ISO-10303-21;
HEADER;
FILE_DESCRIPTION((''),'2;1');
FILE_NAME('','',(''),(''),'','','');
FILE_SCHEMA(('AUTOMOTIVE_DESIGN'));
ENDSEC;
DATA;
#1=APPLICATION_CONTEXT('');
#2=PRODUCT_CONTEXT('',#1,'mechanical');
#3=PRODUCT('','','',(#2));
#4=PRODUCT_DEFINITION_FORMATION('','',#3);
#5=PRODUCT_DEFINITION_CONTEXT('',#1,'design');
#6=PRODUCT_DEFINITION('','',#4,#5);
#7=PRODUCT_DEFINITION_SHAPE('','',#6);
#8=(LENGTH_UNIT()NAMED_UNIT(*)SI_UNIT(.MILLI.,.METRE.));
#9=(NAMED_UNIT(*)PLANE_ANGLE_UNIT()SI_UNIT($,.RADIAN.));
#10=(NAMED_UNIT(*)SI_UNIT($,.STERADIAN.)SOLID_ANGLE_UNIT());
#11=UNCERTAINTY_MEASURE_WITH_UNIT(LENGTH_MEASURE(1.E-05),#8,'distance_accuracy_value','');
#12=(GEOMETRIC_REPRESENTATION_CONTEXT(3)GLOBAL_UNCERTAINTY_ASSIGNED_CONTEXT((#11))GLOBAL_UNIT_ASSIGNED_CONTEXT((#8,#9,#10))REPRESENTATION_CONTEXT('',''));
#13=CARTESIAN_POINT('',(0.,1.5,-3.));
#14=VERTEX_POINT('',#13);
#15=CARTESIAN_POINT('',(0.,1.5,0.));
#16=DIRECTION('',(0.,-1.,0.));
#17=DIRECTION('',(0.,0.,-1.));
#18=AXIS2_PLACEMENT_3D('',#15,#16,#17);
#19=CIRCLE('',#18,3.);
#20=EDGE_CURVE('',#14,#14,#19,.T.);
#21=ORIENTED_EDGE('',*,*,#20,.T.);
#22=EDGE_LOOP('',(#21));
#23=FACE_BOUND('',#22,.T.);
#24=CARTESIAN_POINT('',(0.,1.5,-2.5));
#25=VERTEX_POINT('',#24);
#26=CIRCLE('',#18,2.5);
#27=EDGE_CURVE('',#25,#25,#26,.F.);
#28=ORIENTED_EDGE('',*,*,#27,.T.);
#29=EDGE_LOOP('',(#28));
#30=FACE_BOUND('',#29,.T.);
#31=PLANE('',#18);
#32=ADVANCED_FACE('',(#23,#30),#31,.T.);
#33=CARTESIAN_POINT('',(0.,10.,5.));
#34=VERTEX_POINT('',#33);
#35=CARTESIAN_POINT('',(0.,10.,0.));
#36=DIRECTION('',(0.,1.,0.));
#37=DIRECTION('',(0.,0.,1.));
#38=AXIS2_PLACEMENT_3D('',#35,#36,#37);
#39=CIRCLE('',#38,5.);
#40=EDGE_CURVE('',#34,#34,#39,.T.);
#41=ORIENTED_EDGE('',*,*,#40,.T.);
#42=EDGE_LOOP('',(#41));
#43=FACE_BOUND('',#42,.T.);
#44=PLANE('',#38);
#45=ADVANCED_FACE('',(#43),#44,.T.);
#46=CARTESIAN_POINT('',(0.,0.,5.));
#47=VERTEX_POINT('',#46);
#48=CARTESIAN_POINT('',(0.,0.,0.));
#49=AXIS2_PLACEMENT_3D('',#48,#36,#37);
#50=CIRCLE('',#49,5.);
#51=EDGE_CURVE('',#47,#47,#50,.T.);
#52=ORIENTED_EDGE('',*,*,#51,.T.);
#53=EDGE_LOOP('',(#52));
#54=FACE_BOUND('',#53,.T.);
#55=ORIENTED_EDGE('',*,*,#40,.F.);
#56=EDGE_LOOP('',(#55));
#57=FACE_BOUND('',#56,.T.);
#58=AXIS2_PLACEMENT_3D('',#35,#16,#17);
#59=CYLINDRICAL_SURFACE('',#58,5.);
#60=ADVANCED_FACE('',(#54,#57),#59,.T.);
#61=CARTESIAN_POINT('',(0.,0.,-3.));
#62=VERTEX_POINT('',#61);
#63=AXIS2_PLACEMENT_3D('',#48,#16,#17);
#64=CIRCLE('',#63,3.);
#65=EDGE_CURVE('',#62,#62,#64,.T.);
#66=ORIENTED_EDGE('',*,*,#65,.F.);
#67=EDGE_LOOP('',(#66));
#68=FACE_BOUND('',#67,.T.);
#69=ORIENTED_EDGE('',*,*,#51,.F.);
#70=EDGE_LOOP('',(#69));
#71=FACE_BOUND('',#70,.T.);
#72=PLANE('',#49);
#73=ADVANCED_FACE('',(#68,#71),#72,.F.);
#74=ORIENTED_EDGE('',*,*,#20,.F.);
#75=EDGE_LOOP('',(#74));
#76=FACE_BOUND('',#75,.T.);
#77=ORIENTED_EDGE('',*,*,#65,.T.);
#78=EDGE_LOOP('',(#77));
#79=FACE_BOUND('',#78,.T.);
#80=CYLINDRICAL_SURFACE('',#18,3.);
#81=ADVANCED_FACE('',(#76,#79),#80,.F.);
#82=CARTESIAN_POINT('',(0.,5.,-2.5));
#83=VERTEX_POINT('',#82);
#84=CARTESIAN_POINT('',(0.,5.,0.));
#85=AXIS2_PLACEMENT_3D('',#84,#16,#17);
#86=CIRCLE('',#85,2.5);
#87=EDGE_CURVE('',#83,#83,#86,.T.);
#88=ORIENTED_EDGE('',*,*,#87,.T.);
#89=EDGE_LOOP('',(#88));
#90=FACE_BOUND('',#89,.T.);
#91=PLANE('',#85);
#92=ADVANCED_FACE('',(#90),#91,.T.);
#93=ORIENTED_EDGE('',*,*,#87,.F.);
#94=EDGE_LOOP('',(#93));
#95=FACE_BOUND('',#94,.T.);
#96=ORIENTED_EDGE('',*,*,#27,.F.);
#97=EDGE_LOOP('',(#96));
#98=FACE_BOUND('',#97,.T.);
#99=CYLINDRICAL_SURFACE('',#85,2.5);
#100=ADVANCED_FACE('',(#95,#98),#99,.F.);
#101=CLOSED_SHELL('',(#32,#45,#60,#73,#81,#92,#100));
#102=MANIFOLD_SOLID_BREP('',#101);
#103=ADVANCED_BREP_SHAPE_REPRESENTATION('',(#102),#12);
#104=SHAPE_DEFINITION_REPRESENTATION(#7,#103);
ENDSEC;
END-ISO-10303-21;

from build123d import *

# Parameters (mm, degrees)
SKETCH1_R           = 5
BOSS_EXTRUDE1_DEPTH = 10
SKETCH2_R           = 2.5
CUT_EXTRUDE1_DEPTH  = 5
SKETCH3_R           = 3
CUT_EXTRUDE2_DEPTH  = 1.5


with BuildPart() as part:
    # Sketch1 → Boss-Extrude1 (new body)
    with BuildSketch(Plane(origin=(0, 0, 0), x_dir=(1, 0, 0), z_dir=(0, 1, 0))):
        Circle(SKETCH1_R)
    extrude(amount=BOSS_EXTRUDE1_DEPTH)

    # Sketch2 → Cut-Extrude1 (cut)
    with BuildSketch(Plane.XZ):
        Circle(SKETCH2_R)
    extrude(amount=-CUT_EXTRUDE1_DEPTH, mode=Mode.SUBTRACT)

    # Sketch3 → Cut-Extrude2 (cut)
    with BuildSketch(Plane.XZ):
        Circle(SKETCH3_R)
    extrude(amount=-CUT_EXTRUDE2_DEPTH, mode=Mode.SUBTRACT)


solid = part.part
